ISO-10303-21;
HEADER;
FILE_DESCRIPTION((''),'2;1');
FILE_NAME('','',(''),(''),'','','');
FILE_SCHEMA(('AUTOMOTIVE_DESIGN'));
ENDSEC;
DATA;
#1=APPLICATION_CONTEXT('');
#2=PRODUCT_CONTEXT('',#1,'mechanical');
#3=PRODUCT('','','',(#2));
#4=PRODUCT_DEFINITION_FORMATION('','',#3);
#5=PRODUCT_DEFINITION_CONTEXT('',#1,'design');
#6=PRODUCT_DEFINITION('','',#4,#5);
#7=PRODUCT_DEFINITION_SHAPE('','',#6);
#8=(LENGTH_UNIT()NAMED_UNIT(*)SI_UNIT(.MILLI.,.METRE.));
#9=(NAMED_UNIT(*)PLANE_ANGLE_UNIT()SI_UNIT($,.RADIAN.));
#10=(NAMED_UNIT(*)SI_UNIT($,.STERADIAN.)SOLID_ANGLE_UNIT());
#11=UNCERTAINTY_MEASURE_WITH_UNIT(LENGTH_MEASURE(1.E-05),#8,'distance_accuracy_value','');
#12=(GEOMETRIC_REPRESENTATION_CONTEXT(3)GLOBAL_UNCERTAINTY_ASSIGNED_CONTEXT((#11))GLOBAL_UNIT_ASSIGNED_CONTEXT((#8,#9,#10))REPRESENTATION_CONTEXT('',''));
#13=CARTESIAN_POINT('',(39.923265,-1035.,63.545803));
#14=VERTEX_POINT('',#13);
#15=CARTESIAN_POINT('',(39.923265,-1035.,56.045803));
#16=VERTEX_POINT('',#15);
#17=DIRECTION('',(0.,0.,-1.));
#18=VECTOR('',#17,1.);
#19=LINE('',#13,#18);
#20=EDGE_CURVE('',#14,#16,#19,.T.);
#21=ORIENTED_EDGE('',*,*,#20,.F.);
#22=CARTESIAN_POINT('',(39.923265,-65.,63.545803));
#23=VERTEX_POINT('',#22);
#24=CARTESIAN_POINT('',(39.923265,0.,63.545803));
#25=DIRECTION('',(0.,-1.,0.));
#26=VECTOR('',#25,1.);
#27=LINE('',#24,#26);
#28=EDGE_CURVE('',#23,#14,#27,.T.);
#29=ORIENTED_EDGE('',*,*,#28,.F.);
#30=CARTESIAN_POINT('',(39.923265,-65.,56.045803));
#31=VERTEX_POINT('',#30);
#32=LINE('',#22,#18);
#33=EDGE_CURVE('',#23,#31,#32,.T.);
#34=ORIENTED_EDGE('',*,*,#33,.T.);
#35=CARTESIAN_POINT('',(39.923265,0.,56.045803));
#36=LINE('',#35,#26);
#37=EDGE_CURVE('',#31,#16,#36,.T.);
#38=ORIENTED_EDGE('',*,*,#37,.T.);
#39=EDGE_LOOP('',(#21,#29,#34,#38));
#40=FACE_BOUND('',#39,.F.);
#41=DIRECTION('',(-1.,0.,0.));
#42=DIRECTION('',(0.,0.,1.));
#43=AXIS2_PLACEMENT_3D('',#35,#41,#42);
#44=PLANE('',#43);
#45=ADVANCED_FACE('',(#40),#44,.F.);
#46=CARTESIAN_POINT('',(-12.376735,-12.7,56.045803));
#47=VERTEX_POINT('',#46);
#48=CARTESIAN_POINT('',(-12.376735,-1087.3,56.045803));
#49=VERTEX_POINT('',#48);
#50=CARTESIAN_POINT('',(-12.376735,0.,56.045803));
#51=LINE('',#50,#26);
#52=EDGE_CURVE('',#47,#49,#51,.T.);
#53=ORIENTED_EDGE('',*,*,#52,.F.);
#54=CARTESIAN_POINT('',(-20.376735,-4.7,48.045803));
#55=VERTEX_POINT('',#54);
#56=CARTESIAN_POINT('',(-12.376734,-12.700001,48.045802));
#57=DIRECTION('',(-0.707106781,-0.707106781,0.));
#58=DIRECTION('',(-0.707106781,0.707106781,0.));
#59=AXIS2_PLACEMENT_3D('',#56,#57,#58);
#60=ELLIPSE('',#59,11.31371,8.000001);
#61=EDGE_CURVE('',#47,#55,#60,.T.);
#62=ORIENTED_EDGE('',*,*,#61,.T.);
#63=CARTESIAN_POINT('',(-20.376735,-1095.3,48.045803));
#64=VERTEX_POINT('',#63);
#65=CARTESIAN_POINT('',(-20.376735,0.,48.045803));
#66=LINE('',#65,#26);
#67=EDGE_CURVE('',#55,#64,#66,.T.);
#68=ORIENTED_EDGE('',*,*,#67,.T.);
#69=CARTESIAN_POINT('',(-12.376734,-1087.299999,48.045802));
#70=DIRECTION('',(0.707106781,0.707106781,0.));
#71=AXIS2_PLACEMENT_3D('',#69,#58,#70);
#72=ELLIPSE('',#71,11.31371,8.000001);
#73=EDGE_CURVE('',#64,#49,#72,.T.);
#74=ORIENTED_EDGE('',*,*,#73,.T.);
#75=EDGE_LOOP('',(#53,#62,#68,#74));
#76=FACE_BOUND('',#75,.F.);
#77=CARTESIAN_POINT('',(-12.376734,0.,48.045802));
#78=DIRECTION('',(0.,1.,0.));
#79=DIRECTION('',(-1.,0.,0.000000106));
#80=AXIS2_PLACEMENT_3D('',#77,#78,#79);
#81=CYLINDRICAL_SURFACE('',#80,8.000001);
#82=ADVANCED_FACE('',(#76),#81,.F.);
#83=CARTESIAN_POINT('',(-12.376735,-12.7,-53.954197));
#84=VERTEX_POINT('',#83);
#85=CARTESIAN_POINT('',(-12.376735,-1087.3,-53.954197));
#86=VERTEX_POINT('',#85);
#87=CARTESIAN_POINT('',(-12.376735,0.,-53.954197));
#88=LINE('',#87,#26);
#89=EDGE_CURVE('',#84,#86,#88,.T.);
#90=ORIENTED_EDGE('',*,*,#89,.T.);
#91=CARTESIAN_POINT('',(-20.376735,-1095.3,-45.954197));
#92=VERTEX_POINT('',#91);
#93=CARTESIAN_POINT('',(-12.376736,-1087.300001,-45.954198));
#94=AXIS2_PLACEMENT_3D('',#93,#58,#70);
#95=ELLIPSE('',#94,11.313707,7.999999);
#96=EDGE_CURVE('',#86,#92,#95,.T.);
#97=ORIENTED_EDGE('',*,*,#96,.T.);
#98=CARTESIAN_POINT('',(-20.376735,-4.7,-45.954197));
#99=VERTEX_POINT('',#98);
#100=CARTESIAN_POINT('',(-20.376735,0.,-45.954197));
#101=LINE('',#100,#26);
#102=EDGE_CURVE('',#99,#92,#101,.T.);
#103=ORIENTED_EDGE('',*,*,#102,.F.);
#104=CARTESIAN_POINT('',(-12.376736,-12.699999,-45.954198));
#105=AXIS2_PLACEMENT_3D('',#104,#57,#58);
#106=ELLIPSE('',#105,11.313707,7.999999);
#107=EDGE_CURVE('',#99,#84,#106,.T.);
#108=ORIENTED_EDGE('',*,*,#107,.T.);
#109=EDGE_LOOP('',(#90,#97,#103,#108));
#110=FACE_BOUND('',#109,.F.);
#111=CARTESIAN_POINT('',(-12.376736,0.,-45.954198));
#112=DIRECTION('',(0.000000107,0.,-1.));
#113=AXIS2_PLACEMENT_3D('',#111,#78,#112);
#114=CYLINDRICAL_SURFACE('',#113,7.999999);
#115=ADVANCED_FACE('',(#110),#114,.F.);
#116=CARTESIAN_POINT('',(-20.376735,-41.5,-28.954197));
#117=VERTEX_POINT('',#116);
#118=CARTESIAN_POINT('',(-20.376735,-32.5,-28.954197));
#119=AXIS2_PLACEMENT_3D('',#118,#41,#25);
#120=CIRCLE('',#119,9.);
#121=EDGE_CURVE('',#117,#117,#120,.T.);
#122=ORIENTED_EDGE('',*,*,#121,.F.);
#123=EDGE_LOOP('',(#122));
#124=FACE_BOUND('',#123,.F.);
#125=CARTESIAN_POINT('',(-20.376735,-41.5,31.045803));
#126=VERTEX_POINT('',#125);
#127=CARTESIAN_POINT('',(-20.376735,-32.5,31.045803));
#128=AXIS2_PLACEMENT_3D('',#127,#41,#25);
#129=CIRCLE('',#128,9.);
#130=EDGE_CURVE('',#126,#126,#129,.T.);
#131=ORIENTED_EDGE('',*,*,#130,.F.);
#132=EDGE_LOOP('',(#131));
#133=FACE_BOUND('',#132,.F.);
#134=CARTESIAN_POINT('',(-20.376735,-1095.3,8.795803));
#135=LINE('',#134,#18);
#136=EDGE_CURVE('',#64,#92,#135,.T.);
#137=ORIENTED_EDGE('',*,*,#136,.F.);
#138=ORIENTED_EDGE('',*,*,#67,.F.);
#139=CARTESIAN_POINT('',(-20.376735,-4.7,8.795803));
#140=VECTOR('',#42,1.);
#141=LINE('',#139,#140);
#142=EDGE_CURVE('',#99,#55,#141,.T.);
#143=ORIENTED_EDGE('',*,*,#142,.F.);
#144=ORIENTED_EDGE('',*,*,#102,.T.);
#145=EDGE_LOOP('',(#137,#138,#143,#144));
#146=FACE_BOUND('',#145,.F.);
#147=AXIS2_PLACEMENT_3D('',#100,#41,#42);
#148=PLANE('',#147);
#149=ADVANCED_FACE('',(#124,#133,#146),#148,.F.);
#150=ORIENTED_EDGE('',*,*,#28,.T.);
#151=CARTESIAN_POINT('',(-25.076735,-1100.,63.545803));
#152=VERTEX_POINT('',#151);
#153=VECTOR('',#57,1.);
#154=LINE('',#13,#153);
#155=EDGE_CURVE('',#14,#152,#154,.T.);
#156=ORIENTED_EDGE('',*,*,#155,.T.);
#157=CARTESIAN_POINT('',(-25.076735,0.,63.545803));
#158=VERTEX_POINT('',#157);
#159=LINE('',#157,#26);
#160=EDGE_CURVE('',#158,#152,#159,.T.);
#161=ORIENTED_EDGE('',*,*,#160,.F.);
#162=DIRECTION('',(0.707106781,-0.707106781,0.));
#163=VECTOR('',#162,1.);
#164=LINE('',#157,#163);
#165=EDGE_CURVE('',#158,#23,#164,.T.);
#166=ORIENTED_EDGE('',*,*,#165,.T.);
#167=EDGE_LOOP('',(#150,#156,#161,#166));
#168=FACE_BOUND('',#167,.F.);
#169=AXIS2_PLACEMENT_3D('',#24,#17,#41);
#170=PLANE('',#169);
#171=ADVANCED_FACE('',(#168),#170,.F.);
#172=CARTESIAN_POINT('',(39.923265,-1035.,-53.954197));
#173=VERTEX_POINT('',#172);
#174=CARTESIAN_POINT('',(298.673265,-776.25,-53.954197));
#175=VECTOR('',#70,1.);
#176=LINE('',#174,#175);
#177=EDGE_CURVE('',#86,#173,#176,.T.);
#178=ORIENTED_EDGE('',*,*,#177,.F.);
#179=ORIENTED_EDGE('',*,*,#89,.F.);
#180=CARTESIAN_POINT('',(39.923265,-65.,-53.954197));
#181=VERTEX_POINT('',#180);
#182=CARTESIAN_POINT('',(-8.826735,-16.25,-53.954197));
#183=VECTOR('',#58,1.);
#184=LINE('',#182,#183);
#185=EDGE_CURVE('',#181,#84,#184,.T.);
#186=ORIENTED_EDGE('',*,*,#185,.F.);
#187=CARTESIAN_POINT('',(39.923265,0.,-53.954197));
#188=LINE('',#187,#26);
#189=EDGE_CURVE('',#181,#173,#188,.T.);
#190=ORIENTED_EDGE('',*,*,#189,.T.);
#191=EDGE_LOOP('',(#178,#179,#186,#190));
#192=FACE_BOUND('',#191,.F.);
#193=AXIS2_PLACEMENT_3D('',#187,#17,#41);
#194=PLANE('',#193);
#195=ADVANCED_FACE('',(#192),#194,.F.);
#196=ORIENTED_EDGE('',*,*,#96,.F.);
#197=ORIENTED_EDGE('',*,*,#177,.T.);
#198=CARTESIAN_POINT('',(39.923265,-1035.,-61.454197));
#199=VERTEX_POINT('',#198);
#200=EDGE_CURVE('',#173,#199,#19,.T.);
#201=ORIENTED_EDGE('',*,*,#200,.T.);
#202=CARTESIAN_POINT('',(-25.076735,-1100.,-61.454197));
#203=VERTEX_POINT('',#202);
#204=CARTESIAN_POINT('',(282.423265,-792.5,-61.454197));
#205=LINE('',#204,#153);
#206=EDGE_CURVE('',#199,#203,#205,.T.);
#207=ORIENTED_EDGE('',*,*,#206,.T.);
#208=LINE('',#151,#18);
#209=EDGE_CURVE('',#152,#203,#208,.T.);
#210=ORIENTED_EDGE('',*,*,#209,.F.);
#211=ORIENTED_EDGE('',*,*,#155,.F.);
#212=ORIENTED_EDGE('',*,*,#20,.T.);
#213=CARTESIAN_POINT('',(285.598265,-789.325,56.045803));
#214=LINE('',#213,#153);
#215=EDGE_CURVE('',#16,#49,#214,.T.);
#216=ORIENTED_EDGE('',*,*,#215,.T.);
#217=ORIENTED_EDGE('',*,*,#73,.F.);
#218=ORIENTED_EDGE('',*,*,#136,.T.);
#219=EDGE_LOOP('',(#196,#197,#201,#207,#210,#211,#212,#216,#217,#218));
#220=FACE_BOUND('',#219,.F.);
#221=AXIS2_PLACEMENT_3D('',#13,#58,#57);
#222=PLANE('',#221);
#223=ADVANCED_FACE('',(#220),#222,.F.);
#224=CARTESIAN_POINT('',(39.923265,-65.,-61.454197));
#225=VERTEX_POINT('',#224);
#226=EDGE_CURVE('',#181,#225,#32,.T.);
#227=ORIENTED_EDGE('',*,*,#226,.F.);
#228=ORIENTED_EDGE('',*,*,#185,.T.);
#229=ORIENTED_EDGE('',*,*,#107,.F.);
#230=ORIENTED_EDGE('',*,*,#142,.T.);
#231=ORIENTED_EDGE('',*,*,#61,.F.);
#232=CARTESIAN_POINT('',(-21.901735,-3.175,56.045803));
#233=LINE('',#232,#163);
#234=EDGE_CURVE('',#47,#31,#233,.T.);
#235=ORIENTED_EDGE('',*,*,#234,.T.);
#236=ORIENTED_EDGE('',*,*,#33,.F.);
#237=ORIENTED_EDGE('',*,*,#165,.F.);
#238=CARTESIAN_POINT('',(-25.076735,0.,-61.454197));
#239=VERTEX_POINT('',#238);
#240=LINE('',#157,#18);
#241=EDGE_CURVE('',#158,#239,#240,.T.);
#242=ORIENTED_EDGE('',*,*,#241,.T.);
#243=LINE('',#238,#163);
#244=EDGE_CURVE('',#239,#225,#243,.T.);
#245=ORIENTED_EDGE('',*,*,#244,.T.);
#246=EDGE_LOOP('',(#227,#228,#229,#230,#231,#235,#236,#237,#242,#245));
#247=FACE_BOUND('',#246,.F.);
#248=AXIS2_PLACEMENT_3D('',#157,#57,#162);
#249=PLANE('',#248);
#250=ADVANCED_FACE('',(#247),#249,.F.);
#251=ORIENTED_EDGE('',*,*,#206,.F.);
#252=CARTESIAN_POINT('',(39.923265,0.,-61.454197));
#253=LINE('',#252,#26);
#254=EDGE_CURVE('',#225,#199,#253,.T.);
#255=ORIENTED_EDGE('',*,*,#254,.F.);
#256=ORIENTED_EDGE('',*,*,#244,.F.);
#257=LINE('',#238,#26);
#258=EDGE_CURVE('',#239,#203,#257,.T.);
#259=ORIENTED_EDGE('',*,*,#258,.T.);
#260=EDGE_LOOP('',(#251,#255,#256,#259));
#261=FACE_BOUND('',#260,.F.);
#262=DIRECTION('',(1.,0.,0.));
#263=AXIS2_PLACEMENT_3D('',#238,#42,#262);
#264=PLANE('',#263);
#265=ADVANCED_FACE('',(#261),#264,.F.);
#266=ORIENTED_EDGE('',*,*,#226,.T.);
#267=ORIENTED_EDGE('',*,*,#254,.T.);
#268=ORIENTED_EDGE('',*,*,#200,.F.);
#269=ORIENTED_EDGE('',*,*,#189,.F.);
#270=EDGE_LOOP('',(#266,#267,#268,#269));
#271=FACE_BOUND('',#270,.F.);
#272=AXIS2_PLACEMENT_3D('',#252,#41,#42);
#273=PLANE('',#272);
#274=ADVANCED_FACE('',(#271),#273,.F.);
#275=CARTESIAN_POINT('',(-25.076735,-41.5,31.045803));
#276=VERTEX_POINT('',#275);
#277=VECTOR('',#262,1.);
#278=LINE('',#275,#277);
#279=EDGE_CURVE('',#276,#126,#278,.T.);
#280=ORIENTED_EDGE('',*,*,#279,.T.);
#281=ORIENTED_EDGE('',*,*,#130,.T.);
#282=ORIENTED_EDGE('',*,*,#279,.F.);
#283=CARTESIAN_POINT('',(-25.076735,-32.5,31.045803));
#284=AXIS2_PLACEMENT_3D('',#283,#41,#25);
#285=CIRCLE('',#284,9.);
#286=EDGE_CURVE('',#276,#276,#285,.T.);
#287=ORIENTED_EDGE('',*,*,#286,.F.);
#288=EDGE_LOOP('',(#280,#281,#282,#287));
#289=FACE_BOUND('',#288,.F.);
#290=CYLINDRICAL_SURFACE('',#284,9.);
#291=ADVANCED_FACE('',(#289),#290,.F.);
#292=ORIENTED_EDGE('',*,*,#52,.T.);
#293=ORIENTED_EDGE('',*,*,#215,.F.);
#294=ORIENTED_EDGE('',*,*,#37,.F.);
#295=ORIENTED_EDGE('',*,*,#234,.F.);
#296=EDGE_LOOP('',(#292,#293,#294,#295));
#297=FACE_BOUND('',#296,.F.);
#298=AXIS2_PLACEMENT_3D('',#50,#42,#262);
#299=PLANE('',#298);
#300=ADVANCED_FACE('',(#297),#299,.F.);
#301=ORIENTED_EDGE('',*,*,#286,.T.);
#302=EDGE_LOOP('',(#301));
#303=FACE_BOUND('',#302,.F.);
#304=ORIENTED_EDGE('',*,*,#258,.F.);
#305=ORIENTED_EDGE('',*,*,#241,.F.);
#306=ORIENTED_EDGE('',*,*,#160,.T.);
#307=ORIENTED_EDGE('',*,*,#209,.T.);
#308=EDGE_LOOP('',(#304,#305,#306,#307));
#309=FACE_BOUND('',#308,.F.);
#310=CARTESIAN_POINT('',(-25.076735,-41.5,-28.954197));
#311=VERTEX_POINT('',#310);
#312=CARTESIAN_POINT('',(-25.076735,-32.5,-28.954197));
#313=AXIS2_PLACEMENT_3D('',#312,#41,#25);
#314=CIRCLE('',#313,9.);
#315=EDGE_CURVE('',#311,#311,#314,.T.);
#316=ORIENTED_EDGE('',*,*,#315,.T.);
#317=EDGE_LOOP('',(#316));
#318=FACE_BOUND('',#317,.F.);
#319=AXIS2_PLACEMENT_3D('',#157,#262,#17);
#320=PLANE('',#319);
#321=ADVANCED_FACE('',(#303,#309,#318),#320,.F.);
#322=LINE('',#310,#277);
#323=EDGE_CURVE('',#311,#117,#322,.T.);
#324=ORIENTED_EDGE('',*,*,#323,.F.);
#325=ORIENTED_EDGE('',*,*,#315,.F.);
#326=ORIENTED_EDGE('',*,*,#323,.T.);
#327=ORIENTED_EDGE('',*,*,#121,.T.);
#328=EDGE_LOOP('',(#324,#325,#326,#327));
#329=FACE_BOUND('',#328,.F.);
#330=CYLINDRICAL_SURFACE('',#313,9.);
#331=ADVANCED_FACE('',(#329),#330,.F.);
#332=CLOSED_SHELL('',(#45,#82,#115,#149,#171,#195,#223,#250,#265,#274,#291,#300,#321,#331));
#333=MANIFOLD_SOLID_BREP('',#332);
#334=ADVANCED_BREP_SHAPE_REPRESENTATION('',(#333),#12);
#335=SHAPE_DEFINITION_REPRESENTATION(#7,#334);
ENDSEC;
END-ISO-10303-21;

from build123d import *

# Parameters (mm, degrees)
F1_DEPTH = 1100
F3_DEPTH = 125.001
F4_R     = 9
F5_DEPTH = 65.001


with BuildPart() as f1:
    # F0 (on Front) → F1 (new body)
    with BuildSketch(Plane.XZ):
        with BuildLine():
            Line((-25.076735, 63.545803), (-25.076735, -61.454197))
            Line((-25.076735, -61.454197), (39.923265, -61.454197))
            Line((39.923265, -61.454197), (39.923265, -53.954197))
            Line((39.923265, -53.954197), (-12.376735, -53.954197))
            ThreePointArc((-12.376735, -53.954197), (-18.033589, -51.611052), (-20.376735, -45.954197))
            Line((-20.376735, -45.954197), (-20.376735, 48.045803))
            ThreePointArc((-20.376735, 48.045803), (-18.033589, 53.702657), (-12.376735, 56.045803))
            Line((-12.376735, 56.045803), (39.923265, 56.045803))
            Line((39.923265, 56.045803), (39.923265, 63.545803))
            Line((39.923265, 63.545803), (-25.076735, 63.545803))
        make_face()
    extrude(amount=F1_DEPTH)

    # F2 (on face) → F3 (cut, through all)
    with BuildSketch(Plane.XY.offset(63.545803)):
        Polygon((-25.076735, 0), (39.923265, -65), (39.923265, 0), align=None)
        Polygon((-25.076735, -1100), (39.923265, -1100), (39.923265, -1035), align=None)
    extrude(amount=-F3_DEPTH, mode=Mode.SUBTRACT)

    # F4 (on face) → F5 (cut, through all)
    with BuildSketch(Plane(origin=(-25.076735, 0, 0), x_dir=(0, -1, 0), z_dir=(-1, 0, 0))):
        with Locations((32.5, 31.045803)):
            Circle(F4_R)
        with Locations((32.5, -28.954197)):
            Circle(F4_R)
    extrude(amount=-F5_DEPTH, mode=Mode.SUBTRACT)


solid = f1.part
